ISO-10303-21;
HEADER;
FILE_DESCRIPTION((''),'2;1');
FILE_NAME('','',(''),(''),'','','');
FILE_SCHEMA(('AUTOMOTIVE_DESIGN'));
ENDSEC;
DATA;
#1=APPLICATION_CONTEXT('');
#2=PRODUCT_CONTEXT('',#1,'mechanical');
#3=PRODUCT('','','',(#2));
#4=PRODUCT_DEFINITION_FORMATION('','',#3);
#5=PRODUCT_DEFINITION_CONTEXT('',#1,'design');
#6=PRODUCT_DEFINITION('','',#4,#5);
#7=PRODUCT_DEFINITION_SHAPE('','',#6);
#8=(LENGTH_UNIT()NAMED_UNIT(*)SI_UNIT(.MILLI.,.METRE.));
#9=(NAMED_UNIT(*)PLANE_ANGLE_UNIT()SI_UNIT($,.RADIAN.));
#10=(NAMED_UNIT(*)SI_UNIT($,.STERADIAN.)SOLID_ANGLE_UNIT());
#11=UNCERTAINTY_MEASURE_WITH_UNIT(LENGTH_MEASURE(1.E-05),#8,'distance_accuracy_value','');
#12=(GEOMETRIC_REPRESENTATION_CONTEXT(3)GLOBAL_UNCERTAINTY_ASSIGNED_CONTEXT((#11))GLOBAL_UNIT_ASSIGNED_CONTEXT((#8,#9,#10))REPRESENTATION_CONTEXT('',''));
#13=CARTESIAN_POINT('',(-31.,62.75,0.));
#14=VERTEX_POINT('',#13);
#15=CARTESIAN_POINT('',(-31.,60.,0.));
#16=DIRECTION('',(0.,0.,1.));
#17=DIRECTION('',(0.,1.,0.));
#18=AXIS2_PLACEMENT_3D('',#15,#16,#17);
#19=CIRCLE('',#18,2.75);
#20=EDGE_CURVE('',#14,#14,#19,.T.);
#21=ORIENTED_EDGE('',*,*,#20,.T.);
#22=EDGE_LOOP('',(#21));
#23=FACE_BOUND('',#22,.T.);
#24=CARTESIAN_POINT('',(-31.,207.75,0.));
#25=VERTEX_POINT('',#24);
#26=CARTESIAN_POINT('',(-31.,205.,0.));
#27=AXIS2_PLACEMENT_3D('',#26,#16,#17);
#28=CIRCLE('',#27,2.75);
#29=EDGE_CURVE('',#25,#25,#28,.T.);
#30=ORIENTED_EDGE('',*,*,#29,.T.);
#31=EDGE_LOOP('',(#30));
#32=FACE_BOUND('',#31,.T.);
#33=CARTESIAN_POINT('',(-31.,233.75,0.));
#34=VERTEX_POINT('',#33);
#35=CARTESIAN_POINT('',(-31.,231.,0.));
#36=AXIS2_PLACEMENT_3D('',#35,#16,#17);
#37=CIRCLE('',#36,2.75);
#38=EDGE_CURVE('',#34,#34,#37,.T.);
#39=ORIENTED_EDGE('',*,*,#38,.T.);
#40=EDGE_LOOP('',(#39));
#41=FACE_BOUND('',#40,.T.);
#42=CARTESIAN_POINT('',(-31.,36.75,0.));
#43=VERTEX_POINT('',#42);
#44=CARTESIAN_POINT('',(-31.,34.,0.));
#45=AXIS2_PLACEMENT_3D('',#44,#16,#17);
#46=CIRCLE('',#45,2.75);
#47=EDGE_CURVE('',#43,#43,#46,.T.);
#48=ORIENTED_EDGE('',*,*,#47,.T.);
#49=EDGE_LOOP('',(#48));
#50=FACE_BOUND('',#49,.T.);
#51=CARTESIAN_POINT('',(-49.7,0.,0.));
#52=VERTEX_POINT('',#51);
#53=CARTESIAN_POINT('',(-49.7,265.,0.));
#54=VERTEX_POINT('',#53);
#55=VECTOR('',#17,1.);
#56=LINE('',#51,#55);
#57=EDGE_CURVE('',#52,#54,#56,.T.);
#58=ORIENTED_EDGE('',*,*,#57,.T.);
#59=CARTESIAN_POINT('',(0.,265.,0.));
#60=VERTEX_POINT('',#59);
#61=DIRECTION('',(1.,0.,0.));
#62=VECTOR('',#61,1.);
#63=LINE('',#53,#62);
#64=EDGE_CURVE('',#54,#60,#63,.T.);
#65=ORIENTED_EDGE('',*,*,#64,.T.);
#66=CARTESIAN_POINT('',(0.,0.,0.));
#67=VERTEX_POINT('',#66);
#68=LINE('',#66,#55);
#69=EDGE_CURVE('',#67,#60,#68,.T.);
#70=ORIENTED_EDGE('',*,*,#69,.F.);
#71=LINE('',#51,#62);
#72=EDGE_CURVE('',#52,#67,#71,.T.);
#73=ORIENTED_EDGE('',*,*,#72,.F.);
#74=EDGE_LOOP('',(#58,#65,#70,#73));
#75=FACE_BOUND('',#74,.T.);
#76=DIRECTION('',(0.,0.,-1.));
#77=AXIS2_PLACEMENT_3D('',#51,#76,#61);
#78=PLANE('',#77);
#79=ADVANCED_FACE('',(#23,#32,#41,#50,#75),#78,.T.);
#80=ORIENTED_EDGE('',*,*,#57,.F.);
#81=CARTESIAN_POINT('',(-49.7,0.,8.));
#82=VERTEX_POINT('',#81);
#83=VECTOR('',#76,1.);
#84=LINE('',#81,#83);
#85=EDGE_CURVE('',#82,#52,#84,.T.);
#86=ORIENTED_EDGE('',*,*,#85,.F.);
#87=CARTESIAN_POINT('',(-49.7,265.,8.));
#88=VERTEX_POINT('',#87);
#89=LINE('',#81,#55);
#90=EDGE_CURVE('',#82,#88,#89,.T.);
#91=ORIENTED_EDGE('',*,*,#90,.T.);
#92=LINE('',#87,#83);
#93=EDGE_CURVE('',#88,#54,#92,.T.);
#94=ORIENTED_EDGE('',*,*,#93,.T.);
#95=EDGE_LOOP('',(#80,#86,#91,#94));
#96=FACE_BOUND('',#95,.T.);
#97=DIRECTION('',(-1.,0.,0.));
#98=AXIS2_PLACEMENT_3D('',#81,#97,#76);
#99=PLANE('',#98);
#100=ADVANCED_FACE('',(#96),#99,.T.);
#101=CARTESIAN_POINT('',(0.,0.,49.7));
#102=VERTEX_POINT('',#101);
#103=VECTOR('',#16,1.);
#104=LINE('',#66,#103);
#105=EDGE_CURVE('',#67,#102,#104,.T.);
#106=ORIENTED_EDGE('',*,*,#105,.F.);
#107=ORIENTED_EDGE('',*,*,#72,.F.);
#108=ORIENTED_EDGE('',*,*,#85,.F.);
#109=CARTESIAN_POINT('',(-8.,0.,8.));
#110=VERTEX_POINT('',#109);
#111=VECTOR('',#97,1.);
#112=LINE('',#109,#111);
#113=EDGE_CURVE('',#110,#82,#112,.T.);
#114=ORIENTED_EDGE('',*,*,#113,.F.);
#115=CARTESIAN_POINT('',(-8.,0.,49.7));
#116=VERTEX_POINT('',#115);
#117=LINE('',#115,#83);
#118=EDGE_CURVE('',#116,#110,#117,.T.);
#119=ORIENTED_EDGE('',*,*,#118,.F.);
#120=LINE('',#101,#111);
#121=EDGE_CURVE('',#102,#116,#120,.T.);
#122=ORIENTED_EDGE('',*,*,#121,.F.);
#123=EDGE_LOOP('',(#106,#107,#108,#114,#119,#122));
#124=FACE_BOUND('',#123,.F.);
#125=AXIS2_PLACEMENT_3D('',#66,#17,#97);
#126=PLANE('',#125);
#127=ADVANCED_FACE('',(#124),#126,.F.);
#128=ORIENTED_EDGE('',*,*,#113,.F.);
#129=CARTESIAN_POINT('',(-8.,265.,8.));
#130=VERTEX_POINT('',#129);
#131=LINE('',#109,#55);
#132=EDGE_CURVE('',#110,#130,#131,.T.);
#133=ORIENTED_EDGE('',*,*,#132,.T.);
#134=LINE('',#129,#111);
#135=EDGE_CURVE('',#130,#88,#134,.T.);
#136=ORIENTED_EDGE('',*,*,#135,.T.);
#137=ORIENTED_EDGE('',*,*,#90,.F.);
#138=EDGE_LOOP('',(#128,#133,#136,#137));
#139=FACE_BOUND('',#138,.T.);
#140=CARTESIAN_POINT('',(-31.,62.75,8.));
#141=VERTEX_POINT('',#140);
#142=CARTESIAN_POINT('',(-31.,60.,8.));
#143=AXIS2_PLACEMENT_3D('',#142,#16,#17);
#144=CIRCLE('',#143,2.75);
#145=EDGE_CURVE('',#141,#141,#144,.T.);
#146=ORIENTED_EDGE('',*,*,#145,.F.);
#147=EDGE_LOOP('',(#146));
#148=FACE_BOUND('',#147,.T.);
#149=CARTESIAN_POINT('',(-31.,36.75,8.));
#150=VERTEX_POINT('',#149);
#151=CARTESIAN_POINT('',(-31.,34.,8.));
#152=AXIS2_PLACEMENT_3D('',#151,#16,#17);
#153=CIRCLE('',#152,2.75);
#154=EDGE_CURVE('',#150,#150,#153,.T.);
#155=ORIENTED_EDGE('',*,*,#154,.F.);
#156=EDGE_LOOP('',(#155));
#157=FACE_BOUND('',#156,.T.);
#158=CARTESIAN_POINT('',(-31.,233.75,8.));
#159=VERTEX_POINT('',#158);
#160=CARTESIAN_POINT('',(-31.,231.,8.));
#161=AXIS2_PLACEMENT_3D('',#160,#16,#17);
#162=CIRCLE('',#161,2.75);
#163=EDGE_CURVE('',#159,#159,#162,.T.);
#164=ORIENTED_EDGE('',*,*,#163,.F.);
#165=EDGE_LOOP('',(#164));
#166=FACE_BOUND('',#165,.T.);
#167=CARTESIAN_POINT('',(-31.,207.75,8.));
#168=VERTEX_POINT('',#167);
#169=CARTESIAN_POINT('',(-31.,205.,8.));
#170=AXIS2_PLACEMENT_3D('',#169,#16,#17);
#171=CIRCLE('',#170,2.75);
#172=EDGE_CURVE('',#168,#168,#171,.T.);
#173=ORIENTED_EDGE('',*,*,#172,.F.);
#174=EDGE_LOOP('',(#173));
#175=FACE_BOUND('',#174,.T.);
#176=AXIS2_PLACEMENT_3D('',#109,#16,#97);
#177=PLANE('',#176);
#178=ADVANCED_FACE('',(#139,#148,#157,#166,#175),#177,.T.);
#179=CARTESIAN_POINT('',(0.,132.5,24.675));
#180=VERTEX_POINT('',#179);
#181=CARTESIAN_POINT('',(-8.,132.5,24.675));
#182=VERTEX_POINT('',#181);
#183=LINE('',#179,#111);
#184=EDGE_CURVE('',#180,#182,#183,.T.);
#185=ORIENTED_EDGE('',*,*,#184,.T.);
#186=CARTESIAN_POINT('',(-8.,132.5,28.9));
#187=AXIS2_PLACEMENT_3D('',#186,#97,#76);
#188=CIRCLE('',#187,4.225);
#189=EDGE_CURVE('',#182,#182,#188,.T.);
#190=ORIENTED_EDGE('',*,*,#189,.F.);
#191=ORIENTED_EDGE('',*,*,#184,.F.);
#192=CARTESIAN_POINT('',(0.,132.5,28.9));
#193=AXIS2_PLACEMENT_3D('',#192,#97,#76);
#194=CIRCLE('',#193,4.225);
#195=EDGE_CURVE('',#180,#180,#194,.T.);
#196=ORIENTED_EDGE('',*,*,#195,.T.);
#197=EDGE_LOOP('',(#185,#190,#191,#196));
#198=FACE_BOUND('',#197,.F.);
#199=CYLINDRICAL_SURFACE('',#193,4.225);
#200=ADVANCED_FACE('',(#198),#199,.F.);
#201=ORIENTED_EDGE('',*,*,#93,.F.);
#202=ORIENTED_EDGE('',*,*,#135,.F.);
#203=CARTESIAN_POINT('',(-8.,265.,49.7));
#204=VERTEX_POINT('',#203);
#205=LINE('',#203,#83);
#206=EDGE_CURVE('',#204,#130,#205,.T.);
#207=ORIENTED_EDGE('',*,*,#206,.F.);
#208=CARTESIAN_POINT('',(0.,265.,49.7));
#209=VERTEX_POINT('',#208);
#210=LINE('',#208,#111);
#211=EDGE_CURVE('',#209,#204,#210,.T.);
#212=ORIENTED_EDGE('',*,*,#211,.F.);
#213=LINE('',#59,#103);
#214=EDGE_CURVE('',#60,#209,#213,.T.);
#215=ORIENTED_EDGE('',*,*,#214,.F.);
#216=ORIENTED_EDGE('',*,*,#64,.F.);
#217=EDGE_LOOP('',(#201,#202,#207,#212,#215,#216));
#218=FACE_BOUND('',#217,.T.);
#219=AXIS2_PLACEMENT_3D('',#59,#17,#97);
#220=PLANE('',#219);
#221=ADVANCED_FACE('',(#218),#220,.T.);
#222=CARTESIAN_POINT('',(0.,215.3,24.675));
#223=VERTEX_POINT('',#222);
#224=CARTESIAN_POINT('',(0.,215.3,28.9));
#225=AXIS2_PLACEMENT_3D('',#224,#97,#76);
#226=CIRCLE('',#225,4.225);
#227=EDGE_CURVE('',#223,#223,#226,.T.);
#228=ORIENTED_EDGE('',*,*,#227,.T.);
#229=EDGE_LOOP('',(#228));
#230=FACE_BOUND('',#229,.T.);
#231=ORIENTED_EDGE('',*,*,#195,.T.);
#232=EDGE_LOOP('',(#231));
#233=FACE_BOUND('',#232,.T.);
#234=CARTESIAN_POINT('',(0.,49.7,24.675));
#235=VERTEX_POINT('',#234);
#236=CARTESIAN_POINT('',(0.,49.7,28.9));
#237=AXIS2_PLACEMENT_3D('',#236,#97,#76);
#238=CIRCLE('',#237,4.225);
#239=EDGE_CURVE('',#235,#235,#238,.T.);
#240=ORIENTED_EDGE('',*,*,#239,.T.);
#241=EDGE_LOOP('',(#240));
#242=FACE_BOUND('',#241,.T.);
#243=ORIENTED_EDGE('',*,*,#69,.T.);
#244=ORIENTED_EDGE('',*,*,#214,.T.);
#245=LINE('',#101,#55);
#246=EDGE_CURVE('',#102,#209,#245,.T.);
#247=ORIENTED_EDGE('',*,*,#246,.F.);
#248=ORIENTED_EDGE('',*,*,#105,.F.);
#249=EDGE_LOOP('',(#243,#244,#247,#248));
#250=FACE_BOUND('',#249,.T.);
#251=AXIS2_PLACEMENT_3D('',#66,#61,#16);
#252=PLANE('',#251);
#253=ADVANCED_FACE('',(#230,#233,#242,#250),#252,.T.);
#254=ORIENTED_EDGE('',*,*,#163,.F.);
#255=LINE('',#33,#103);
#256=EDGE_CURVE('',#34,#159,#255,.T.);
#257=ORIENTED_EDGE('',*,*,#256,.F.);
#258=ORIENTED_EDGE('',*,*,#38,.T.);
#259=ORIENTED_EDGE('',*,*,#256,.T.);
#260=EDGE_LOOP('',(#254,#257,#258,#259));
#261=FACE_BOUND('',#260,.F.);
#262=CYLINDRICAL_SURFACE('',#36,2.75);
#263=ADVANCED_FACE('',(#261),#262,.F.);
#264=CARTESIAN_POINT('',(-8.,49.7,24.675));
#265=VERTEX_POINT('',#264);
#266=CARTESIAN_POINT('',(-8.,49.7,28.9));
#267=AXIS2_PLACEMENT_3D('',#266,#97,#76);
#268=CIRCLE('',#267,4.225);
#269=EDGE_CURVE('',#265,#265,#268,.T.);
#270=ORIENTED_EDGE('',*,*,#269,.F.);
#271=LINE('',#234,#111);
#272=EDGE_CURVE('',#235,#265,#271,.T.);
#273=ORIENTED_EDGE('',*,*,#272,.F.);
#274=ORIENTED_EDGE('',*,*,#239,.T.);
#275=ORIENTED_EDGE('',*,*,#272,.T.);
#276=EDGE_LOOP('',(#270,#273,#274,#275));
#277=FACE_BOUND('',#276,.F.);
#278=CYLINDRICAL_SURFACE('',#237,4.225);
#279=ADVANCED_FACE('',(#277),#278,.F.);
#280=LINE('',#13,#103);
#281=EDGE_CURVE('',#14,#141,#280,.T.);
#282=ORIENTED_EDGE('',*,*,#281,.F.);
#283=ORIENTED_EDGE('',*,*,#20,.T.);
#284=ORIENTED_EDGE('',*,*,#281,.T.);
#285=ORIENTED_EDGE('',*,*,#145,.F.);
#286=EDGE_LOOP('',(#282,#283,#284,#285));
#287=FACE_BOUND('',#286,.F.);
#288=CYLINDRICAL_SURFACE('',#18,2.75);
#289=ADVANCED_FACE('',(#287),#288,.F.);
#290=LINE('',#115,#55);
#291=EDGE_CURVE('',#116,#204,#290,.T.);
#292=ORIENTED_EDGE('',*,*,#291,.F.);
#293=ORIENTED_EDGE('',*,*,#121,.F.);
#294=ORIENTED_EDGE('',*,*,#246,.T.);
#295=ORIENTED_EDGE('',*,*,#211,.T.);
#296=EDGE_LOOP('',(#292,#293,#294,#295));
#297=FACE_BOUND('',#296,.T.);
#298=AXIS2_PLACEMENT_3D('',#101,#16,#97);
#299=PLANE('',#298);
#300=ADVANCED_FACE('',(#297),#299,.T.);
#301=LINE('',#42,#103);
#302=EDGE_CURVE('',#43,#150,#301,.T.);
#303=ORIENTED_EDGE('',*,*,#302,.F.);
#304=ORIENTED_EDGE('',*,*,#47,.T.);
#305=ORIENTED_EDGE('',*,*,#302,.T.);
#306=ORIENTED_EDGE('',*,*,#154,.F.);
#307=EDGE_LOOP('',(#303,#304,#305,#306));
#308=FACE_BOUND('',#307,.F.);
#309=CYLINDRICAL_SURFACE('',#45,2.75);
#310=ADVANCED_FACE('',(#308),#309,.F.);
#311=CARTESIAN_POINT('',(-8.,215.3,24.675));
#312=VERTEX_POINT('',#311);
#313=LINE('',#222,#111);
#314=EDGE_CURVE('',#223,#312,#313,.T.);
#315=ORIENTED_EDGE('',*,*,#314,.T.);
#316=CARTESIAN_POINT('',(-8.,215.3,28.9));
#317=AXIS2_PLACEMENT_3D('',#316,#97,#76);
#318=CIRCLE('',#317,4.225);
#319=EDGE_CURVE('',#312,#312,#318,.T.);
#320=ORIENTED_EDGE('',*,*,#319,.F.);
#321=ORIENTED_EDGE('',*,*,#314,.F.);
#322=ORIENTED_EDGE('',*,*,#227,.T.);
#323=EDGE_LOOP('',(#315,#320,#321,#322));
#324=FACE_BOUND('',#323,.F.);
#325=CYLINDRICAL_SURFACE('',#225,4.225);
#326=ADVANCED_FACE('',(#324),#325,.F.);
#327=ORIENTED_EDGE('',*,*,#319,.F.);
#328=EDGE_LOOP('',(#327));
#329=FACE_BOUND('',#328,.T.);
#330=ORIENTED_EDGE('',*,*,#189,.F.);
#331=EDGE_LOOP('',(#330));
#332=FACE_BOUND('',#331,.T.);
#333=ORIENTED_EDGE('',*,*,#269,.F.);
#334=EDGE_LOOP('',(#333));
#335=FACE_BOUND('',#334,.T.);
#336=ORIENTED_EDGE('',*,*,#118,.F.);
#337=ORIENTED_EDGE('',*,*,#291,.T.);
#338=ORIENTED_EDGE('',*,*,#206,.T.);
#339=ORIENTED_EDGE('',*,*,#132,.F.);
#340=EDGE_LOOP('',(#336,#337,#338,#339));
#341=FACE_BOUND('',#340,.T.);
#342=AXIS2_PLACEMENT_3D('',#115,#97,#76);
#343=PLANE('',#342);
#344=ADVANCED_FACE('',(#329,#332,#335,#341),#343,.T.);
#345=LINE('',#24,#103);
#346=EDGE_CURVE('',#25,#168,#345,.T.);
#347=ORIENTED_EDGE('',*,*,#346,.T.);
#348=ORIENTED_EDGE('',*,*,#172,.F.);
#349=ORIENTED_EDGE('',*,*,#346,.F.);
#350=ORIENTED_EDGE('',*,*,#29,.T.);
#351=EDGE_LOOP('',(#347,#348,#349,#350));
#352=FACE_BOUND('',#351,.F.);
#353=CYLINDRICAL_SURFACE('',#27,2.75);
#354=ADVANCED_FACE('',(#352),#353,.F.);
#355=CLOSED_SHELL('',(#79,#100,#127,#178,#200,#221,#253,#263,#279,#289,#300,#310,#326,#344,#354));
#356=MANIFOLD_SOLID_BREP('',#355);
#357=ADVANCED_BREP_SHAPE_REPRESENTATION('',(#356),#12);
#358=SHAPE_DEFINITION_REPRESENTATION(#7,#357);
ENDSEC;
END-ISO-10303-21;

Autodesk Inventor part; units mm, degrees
ref_plane "YZ Plane" through (0, 0, 0) normal (1, 0, 0) x (0, 1, 0)
ref_plane "XZ Plane" through (0, 0, 0) normal (0, 1, 0) x (-1, 0, 0)
ref_plane "XY Plane" through (0, 0, 0) normal (0, 0, 1) x (1, 0, 0)
sketch "Sketch1" plane through (0, 0, 0) normal (0, 1, 0) x (-1, 0, 0)
  line L0 (0, 0) -> (0, 49.7)
  line L1 (0, 49.7) -> (8, 49.7)
  line L2 (8, 49.7) -> (8, 8)
  line L3 (8, 8) -> (49.7, 8)
  line L4 (49.7, 8) -> (49.7, 0)
  line L5 (49.7, 0) -> (0, 0)
  dimension "d0" = 49.7
  dimension "d1" = 8
extrude "Extrusion1" add sketch "Sketch1" along normal blind 265
sketch "Sketch2" plane through (0, 0, 0) normal (0, 0, -1) x (-1, 0, 0)
  line L0 (49.7, 0) -> (0, 0) construction
  line L1 (49.7, 0) -> (49.7, 265) construction
  line L2 (0, 265) -> (49.7, 265) construction
  line L3 (0, 0) -> (0, 265) construction
  line L4 (31, 0) -> (31, 265) construction
  line L5 (0, 265) -> (49.7, 265) construction
  point P0 (31, 231)
  point P1 (31, 205)
  point P2 (31, 60)
  point P3 (31, 34)
  dimension "d4" = 26
  dimension "d5" = 26
  dimension "d6" = 34
  dimension "d7" = 34
  dimension "d8" = 31
hole "Hole1" at (-31, 231, 0) at (-31, 205, 0) at (-31, 60, 0) at (-31, 34, 0) direction (0, 0, 1) diameter 5.5 depth 8 tip angle 118 clearance for "Hex Head Bolt" size "M5" standard "Ansi Metric M Profile"
sketch "Sketch3" plane through (0, 0, 49.7) normal (1, 0, 0) x (0, 0, -1)
  line L0 (49.7, 0) -> (0, 0) construction
  line L1 (49.7, 0) -> (49.7, 265) construction
  line L2 (0, 265) -> (49.7, 265) construction
  line L3 (0, 0) -> (0, 265) construction
  line L4 (0, 0) -> (41.7, 0) construction
  line L5 (20.8, 0) -> (20.8, 265) construction
  point P0 (20.8, 132.5)
  point P1 (20.8, 215.3)
  point P2 (20.8, 49.7)
  dimension "d16" = 20.8
  dimension "Mounting_Hole_Spacing" = 82.8
  dimension "d18" = 82.8
hole "Hole2" at (0, 132.5, 28.9) at (0, 215.3, 28.9) at (0, 49.7, 28.9) direction (-1, 0, 0) diameter 8.45 end through all
equation "\"d4\" = Mount_Hole_Spacing"
equation "\"d5\" = Mount_Hole_Spacing"
equation "\"d7\" = d6"
equation "\"d18\" = Mounting_Hole_Spacing"
equation "\"Mount_Hole_Spacing\" = 26"
properties part number "Horn_Bracket" material "Steel, Cast"
